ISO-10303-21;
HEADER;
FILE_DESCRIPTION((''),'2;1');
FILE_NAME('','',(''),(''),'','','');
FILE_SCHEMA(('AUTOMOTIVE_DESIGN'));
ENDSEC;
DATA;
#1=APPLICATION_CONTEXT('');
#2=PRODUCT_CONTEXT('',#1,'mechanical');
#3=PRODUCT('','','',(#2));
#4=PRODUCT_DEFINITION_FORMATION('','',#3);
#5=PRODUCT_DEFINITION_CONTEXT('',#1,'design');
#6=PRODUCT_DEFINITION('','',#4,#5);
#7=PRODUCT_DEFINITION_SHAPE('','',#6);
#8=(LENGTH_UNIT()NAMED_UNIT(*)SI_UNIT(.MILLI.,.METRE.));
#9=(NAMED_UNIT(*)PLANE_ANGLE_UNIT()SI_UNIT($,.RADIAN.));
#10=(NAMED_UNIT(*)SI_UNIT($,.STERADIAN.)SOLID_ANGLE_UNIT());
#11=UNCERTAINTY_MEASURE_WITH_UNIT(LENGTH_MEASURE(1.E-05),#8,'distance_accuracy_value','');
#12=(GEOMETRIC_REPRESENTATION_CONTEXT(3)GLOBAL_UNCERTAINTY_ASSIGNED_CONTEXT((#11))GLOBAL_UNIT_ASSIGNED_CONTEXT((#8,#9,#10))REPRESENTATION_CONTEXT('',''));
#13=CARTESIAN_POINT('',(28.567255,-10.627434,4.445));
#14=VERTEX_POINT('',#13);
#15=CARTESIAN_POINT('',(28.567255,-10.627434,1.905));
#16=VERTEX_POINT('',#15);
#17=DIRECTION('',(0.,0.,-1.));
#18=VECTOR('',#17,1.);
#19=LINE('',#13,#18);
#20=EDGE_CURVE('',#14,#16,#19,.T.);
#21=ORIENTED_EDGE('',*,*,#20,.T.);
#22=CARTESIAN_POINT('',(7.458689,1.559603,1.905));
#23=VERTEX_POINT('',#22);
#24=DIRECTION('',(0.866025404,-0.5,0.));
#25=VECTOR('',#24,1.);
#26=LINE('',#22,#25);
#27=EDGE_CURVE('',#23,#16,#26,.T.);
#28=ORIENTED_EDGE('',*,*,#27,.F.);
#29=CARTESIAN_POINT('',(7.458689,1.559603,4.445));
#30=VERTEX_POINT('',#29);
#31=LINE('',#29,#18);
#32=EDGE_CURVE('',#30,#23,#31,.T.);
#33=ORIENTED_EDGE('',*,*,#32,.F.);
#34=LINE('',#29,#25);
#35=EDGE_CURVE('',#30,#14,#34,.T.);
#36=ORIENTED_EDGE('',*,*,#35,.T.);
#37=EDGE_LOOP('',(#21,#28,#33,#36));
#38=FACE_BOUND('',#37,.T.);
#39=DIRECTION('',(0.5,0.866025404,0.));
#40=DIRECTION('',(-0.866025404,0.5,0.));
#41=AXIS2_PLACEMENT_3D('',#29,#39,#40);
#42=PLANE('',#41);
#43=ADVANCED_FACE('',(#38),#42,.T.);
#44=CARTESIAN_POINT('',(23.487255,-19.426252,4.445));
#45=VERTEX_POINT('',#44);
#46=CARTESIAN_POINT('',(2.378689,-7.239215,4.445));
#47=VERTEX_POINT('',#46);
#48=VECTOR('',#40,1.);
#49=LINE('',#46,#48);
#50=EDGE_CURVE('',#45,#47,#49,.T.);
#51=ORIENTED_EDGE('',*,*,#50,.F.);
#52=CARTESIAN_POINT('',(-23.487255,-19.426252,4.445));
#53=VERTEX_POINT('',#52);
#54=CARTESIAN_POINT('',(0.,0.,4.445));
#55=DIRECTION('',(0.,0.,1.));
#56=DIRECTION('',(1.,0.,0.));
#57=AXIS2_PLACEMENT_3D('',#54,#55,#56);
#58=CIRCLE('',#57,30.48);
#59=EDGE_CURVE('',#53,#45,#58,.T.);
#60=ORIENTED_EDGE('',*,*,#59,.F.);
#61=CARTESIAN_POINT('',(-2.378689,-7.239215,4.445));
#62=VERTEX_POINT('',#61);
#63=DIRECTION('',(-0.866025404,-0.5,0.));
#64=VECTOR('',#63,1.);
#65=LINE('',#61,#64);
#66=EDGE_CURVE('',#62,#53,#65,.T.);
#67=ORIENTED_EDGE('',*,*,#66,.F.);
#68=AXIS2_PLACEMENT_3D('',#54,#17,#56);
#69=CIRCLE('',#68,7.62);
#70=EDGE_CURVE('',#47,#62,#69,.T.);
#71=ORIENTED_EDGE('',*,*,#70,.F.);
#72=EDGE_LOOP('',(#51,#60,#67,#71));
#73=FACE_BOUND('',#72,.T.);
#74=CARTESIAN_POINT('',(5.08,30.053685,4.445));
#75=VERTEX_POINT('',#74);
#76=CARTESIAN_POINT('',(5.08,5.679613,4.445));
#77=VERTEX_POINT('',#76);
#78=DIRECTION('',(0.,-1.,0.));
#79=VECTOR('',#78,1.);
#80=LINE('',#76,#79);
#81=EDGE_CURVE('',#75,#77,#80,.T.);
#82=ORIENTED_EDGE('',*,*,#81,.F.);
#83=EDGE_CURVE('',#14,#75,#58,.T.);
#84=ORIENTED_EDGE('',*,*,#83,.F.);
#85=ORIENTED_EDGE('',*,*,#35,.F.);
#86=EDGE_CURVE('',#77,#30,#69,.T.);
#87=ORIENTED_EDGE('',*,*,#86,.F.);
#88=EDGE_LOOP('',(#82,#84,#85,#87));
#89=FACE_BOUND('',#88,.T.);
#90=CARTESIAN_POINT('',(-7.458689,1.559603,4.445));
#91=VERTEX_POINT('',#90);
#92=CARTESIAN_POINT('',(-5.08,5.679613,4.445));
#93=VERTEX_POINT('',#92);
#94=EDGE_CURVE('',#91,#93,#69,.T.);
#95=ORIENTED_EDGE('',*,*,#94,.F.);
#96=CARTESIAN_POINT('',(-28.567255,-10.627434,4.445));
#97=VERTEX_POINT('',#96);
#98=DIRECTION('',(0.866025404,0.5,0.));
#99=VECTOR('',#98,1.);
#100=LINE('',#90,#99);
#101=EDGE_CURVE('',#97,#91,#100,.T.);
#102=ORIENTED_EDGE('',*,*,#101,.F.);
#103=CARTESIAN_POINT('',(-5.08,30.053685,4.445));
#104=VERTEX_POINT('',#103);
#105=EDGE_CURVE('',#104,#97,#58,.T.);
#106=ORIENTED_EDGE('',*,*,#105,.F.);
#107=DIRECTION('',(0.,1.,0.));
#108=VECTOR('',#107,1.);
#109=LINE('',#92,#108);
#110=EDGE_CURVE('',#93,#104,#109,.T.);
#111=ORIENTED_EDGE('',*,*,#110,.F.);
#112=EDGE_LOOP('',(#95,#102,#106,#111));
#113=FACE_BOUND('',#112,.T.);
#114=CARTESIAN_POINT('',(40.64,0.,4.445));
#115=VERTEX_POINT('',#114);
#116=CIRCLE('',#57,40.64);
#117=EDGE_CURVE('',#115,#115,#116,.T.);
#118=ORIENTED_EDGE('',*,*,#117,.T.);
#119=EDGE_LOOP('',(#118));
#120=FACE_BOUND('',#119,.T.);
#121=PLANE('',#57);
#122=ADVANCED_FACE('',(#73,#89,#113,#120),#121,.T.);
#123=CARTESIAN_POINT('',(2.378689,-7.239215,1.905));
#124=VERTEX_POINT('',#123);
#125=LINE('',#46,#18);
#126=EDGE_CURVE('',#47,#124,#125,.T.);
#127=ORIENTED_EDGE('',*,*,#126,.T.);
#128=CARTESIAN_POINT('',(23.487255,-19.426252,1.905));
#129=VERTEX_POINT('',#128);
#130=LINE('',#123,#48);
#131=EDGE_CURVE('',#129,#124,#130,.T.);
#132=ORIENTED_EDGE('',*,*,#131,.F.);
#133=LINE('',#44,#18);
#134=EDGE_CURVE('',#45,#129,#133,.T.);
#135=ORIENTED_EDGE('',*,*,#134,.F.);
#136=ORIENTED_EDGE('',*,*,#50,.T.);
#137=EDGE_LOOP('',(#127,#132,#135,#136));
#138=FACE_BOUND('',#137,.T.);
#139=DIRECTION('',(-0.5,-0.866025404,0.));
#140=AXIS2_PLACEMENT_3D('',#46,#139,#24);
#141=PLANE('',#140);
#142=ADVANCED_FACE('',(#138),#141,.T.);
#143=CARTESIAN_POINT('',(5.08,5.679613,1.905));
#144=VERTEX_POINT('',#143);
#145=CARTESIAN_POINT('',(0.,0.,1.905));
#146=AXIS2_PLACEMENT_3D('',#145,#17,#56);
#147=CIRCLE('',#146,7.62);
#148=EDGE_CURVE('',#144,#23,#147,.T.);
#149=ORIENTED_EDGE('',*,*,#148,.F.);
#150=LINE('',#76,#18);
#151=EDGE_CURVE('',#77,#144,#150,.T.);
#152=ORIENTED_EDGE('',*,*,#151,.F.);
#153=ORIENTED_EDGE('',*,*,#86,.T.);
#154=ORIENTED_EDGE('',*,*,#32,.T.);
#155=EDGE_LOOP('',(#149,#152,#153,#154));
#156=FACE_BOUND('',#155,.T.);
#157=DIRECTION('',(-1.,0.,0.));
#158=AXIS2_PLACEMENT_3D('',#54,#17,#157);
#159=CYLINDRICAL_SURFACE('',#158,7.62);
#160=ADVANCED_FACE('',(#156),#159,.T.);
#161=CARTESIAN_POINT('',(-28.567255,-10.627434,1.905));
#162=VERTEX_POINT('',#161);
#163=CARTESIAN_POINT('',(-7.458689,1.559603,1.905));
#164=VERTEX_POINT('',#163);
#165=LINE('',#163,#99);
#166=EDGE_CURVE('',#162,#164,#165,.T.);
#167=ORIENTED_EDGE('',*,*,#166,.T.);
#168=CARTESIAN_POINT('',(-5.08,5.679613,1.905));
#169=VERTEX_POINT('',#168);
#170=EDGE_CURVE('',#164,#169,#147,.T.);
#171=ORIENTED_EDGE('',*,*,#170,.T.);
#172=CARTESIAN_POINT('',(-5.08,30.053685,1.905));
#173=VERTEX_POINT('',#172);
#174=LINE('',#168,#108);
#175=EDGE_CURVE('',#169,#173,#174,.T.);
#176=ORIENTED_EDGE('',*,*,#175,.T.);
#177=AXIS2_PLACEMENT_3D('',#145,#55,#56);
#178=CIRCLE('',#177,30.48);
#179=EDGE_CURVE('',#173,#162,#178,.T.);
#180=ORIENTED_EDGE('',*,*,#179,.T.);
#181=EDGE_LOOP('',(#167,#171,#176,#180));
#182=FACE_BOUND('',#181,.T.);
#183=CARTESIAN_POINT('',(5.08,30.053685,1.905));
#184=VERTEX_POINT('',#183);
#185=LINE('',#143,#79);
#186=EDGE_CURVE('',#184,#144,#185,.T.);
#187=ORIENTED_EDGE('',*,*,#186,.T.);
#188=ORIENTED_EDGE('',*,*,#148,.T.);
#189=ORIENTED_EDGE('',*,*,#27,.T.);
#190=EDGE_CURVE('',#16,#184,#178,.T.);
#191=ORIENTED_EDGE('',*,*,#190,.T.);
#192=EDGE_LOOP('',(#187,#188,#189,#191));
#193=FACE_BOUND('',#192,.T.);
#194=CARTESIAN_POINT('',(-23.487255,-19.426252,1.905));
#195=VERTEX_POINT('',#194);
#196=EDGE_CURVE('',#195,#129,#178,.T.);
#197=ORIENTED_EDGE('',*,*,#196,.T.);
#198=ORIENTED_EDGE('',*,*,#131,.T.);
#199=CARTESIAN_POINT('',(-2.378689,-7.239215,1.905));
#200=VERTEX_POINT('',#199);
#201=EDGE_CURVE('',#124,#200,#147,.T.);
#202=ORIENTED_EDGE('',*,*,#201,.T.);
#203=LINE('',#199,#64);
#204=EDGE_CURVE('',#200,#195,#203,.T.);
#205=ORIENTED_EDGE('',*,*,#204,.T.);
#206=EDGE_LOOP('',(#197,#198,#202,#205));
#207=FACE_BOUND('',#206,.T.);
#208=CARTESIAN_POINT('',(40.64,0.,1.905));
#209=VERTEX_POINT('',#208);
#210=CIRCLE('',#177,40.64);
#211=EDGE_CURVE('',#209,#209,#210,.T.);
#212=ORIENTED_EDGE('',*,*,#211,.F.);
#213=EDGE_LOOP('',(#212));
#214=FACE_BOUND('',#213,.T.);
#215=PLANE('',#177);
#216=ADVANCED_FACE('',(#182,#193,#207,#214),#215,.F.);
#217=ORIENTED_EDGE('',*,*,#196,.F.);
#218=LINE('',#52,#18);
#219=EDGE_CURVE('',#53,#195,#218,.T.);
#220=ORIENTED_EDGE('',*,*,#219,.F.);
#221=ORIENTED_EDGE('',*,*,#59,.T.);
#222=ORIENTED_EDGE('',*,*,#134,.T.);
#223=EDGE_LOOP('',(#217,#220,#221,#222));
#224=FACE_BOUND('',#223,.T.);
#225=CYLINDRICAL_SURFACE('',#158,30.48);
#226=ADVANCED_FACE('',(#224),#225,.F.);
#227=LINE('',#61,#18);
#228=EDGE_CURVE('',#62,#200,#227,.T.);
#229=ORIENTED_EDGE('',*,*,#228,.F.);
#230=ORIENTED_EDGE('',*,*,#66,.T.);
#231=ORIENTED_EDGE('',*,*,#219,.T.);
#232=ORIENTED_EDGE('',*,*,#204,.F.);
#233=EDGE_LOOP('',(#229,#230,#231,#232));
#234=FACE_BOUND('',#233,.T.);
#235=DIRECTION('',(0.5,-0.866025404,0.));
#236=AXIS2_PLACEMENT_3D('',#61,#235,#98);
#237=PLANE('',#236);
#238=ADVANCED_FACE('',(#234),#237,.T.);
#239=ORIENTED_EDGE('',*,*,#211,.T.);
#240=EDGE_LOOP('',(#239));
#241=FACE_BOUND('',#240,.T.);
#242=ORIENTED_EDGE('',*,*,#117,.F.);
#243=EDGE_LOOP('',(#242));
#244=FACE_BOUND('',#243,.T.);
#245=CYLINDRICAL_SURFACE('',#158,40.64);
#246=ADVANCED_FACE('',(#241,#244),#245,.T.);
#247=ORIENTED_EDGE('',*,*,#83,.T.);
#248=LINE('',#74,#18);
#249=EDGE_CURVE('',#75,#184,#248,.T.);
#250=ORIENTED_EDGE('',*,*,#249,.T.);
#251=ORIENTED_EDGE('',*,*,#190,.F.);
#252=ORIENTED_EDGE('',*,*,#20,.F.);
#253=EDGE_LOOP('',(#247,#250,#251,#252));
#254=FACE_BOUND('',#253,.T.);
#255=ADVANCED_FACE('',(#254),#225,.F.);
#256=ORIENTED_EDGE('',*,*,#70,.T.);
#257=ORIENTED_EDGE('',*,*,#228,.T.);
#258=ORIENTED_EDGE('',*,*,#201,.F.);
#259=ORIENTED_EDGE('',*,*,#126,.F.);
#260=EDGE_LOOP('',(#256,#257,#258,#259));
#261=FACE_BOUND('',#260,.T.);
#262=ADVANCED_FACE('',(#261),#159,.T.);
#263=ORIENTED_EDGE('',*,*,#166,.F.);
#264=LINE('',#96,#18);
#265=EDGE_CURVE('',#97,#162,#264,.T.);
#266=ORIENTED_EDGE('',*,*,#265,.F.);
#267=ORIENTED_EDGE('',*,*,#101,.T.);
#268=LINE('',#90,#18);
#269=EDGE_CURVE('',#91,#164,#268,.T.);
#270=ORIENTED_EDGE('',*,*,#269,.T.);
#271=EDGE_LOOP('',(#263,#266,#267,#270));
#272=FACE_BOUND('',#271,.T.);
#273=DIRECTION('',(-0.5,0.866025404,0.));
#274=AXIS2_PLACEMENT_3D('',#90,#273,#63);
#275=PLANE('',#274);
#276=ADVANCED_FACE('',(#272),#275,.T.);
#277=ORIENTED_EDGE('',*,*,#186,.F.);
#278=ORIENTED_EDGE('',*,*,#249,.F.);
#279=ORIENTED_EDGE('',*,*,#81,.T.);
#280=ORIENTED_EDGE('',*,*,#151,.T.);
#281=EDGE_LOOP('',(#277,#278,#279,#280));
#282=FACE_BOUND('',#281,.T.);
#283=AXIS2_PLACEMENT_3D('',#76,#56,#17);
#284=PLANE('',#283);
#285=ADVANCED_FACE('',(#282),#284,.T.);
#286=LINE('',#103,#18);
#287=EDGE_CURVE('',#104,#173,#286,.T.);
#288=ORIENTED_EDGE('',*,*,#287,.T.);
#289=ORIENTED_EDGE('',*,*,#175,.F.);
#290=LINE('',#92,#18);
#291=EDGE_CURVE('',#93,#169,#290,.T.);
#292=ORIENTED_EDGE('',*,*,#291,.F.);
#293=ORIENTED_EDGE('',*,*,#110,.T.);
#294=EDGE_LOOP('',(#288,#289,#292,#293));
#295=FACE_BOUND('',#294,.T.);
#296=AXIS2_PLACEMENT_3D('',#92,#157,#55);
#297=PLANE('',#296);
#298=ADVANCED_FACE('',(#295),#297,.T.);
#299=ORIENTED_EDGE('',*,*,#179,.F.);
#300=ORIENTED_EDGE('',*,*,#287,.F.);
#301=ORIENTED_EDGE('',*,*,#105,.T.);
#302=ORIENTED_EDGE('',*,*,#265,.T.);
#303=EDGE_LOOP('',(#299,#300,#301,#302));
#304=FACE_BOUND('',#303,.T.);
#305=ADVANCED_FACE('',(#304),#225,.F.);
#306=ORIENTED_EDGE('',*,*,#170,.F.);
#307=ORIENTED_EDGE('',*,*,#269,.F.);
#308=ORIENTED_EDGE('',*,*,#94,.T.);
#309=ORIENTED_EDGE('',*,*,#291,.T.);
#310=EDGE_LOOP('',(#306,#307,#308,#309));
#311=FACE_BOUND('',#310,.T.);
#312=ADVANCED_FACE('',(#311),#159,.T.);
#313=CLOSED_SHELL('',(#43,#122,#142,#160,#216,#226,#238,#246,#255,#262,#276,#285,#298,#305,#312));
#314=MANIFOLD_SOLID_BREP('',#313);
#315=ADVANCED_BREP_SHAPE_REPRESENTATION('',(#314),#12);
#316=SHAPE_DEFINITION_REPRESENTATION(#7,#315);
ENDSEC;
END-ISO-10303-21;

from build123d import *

# Parameters (mm, degrees)
SKETCH1_R           = 101.6
BOSS_EXTRUDE1_DEPTH = 6.35
SCALE1_SCALE        = 0.4


with BuildPart() as part:
    # Sketch1 → Boss-Extrude1 (new body)
    with BuildSketch(Plane.XY):
        Circle(SKETCH1_R)
        with BuildLine():
            Line((-12.7, 14.199031657), (-12.7, 75.134213245))
            ThreePointArc((-12.7, 75.134213245), (-65.991135768, 38.1), (-71.418137364, -26.568583995))
            Line((-71.418137364, -26.568583995), (-18.646722124, 3.8990068))
            ThreePointArc((-18.646722124, 3.8990068), (-16.497783942, 9.525), (-12.7, 14.199031657))
        make_face(mode=Mode.SUBTRACT)
        with BuildLine():
            Line((12.7, 14.199031657), (12.7, 75.134213245))
            ThreePointArc((12.7, 75.134213245), (65.991135768, 38.1), (71.418137364, -26.568583995))
            Line((71.418137364, -26.568583995), (18.646722124, 3.8990068))
            ThreePointArc((18.646722124, 3.8990068), (16.497783942, 9.525), (12.7, 14.199031657))
        make_face(mode=Mode.SUBTRACT)
        with BuildLine():
            Line((5.946722124, -18.098038457), (58.718137364, -48.565629251))
            ThreePointArc((58.718137364, -48.565629251), (0, -76.2), (-58.718137364, -48.565629251))
            Line((-58.718137364, -48.565629251), (-5.946722124, -18.098038457))
            ThreePointArc((-5.946722124, -18.098038457), (0, -19.05), (5.946722124, -18.098038457))
        make_face(mode=Mode.SUBTRACT)
    extrude(amount=BOSS_EXTRUDE1_DEPTH)


with BuildPart() as part_1:
    # Scale1: scaled about (0, 0, 3.175)
    add(part.part.scale(SCALE1_SCALE).moved(Location((0, 0, 1.905))))


solid = part_1.part
